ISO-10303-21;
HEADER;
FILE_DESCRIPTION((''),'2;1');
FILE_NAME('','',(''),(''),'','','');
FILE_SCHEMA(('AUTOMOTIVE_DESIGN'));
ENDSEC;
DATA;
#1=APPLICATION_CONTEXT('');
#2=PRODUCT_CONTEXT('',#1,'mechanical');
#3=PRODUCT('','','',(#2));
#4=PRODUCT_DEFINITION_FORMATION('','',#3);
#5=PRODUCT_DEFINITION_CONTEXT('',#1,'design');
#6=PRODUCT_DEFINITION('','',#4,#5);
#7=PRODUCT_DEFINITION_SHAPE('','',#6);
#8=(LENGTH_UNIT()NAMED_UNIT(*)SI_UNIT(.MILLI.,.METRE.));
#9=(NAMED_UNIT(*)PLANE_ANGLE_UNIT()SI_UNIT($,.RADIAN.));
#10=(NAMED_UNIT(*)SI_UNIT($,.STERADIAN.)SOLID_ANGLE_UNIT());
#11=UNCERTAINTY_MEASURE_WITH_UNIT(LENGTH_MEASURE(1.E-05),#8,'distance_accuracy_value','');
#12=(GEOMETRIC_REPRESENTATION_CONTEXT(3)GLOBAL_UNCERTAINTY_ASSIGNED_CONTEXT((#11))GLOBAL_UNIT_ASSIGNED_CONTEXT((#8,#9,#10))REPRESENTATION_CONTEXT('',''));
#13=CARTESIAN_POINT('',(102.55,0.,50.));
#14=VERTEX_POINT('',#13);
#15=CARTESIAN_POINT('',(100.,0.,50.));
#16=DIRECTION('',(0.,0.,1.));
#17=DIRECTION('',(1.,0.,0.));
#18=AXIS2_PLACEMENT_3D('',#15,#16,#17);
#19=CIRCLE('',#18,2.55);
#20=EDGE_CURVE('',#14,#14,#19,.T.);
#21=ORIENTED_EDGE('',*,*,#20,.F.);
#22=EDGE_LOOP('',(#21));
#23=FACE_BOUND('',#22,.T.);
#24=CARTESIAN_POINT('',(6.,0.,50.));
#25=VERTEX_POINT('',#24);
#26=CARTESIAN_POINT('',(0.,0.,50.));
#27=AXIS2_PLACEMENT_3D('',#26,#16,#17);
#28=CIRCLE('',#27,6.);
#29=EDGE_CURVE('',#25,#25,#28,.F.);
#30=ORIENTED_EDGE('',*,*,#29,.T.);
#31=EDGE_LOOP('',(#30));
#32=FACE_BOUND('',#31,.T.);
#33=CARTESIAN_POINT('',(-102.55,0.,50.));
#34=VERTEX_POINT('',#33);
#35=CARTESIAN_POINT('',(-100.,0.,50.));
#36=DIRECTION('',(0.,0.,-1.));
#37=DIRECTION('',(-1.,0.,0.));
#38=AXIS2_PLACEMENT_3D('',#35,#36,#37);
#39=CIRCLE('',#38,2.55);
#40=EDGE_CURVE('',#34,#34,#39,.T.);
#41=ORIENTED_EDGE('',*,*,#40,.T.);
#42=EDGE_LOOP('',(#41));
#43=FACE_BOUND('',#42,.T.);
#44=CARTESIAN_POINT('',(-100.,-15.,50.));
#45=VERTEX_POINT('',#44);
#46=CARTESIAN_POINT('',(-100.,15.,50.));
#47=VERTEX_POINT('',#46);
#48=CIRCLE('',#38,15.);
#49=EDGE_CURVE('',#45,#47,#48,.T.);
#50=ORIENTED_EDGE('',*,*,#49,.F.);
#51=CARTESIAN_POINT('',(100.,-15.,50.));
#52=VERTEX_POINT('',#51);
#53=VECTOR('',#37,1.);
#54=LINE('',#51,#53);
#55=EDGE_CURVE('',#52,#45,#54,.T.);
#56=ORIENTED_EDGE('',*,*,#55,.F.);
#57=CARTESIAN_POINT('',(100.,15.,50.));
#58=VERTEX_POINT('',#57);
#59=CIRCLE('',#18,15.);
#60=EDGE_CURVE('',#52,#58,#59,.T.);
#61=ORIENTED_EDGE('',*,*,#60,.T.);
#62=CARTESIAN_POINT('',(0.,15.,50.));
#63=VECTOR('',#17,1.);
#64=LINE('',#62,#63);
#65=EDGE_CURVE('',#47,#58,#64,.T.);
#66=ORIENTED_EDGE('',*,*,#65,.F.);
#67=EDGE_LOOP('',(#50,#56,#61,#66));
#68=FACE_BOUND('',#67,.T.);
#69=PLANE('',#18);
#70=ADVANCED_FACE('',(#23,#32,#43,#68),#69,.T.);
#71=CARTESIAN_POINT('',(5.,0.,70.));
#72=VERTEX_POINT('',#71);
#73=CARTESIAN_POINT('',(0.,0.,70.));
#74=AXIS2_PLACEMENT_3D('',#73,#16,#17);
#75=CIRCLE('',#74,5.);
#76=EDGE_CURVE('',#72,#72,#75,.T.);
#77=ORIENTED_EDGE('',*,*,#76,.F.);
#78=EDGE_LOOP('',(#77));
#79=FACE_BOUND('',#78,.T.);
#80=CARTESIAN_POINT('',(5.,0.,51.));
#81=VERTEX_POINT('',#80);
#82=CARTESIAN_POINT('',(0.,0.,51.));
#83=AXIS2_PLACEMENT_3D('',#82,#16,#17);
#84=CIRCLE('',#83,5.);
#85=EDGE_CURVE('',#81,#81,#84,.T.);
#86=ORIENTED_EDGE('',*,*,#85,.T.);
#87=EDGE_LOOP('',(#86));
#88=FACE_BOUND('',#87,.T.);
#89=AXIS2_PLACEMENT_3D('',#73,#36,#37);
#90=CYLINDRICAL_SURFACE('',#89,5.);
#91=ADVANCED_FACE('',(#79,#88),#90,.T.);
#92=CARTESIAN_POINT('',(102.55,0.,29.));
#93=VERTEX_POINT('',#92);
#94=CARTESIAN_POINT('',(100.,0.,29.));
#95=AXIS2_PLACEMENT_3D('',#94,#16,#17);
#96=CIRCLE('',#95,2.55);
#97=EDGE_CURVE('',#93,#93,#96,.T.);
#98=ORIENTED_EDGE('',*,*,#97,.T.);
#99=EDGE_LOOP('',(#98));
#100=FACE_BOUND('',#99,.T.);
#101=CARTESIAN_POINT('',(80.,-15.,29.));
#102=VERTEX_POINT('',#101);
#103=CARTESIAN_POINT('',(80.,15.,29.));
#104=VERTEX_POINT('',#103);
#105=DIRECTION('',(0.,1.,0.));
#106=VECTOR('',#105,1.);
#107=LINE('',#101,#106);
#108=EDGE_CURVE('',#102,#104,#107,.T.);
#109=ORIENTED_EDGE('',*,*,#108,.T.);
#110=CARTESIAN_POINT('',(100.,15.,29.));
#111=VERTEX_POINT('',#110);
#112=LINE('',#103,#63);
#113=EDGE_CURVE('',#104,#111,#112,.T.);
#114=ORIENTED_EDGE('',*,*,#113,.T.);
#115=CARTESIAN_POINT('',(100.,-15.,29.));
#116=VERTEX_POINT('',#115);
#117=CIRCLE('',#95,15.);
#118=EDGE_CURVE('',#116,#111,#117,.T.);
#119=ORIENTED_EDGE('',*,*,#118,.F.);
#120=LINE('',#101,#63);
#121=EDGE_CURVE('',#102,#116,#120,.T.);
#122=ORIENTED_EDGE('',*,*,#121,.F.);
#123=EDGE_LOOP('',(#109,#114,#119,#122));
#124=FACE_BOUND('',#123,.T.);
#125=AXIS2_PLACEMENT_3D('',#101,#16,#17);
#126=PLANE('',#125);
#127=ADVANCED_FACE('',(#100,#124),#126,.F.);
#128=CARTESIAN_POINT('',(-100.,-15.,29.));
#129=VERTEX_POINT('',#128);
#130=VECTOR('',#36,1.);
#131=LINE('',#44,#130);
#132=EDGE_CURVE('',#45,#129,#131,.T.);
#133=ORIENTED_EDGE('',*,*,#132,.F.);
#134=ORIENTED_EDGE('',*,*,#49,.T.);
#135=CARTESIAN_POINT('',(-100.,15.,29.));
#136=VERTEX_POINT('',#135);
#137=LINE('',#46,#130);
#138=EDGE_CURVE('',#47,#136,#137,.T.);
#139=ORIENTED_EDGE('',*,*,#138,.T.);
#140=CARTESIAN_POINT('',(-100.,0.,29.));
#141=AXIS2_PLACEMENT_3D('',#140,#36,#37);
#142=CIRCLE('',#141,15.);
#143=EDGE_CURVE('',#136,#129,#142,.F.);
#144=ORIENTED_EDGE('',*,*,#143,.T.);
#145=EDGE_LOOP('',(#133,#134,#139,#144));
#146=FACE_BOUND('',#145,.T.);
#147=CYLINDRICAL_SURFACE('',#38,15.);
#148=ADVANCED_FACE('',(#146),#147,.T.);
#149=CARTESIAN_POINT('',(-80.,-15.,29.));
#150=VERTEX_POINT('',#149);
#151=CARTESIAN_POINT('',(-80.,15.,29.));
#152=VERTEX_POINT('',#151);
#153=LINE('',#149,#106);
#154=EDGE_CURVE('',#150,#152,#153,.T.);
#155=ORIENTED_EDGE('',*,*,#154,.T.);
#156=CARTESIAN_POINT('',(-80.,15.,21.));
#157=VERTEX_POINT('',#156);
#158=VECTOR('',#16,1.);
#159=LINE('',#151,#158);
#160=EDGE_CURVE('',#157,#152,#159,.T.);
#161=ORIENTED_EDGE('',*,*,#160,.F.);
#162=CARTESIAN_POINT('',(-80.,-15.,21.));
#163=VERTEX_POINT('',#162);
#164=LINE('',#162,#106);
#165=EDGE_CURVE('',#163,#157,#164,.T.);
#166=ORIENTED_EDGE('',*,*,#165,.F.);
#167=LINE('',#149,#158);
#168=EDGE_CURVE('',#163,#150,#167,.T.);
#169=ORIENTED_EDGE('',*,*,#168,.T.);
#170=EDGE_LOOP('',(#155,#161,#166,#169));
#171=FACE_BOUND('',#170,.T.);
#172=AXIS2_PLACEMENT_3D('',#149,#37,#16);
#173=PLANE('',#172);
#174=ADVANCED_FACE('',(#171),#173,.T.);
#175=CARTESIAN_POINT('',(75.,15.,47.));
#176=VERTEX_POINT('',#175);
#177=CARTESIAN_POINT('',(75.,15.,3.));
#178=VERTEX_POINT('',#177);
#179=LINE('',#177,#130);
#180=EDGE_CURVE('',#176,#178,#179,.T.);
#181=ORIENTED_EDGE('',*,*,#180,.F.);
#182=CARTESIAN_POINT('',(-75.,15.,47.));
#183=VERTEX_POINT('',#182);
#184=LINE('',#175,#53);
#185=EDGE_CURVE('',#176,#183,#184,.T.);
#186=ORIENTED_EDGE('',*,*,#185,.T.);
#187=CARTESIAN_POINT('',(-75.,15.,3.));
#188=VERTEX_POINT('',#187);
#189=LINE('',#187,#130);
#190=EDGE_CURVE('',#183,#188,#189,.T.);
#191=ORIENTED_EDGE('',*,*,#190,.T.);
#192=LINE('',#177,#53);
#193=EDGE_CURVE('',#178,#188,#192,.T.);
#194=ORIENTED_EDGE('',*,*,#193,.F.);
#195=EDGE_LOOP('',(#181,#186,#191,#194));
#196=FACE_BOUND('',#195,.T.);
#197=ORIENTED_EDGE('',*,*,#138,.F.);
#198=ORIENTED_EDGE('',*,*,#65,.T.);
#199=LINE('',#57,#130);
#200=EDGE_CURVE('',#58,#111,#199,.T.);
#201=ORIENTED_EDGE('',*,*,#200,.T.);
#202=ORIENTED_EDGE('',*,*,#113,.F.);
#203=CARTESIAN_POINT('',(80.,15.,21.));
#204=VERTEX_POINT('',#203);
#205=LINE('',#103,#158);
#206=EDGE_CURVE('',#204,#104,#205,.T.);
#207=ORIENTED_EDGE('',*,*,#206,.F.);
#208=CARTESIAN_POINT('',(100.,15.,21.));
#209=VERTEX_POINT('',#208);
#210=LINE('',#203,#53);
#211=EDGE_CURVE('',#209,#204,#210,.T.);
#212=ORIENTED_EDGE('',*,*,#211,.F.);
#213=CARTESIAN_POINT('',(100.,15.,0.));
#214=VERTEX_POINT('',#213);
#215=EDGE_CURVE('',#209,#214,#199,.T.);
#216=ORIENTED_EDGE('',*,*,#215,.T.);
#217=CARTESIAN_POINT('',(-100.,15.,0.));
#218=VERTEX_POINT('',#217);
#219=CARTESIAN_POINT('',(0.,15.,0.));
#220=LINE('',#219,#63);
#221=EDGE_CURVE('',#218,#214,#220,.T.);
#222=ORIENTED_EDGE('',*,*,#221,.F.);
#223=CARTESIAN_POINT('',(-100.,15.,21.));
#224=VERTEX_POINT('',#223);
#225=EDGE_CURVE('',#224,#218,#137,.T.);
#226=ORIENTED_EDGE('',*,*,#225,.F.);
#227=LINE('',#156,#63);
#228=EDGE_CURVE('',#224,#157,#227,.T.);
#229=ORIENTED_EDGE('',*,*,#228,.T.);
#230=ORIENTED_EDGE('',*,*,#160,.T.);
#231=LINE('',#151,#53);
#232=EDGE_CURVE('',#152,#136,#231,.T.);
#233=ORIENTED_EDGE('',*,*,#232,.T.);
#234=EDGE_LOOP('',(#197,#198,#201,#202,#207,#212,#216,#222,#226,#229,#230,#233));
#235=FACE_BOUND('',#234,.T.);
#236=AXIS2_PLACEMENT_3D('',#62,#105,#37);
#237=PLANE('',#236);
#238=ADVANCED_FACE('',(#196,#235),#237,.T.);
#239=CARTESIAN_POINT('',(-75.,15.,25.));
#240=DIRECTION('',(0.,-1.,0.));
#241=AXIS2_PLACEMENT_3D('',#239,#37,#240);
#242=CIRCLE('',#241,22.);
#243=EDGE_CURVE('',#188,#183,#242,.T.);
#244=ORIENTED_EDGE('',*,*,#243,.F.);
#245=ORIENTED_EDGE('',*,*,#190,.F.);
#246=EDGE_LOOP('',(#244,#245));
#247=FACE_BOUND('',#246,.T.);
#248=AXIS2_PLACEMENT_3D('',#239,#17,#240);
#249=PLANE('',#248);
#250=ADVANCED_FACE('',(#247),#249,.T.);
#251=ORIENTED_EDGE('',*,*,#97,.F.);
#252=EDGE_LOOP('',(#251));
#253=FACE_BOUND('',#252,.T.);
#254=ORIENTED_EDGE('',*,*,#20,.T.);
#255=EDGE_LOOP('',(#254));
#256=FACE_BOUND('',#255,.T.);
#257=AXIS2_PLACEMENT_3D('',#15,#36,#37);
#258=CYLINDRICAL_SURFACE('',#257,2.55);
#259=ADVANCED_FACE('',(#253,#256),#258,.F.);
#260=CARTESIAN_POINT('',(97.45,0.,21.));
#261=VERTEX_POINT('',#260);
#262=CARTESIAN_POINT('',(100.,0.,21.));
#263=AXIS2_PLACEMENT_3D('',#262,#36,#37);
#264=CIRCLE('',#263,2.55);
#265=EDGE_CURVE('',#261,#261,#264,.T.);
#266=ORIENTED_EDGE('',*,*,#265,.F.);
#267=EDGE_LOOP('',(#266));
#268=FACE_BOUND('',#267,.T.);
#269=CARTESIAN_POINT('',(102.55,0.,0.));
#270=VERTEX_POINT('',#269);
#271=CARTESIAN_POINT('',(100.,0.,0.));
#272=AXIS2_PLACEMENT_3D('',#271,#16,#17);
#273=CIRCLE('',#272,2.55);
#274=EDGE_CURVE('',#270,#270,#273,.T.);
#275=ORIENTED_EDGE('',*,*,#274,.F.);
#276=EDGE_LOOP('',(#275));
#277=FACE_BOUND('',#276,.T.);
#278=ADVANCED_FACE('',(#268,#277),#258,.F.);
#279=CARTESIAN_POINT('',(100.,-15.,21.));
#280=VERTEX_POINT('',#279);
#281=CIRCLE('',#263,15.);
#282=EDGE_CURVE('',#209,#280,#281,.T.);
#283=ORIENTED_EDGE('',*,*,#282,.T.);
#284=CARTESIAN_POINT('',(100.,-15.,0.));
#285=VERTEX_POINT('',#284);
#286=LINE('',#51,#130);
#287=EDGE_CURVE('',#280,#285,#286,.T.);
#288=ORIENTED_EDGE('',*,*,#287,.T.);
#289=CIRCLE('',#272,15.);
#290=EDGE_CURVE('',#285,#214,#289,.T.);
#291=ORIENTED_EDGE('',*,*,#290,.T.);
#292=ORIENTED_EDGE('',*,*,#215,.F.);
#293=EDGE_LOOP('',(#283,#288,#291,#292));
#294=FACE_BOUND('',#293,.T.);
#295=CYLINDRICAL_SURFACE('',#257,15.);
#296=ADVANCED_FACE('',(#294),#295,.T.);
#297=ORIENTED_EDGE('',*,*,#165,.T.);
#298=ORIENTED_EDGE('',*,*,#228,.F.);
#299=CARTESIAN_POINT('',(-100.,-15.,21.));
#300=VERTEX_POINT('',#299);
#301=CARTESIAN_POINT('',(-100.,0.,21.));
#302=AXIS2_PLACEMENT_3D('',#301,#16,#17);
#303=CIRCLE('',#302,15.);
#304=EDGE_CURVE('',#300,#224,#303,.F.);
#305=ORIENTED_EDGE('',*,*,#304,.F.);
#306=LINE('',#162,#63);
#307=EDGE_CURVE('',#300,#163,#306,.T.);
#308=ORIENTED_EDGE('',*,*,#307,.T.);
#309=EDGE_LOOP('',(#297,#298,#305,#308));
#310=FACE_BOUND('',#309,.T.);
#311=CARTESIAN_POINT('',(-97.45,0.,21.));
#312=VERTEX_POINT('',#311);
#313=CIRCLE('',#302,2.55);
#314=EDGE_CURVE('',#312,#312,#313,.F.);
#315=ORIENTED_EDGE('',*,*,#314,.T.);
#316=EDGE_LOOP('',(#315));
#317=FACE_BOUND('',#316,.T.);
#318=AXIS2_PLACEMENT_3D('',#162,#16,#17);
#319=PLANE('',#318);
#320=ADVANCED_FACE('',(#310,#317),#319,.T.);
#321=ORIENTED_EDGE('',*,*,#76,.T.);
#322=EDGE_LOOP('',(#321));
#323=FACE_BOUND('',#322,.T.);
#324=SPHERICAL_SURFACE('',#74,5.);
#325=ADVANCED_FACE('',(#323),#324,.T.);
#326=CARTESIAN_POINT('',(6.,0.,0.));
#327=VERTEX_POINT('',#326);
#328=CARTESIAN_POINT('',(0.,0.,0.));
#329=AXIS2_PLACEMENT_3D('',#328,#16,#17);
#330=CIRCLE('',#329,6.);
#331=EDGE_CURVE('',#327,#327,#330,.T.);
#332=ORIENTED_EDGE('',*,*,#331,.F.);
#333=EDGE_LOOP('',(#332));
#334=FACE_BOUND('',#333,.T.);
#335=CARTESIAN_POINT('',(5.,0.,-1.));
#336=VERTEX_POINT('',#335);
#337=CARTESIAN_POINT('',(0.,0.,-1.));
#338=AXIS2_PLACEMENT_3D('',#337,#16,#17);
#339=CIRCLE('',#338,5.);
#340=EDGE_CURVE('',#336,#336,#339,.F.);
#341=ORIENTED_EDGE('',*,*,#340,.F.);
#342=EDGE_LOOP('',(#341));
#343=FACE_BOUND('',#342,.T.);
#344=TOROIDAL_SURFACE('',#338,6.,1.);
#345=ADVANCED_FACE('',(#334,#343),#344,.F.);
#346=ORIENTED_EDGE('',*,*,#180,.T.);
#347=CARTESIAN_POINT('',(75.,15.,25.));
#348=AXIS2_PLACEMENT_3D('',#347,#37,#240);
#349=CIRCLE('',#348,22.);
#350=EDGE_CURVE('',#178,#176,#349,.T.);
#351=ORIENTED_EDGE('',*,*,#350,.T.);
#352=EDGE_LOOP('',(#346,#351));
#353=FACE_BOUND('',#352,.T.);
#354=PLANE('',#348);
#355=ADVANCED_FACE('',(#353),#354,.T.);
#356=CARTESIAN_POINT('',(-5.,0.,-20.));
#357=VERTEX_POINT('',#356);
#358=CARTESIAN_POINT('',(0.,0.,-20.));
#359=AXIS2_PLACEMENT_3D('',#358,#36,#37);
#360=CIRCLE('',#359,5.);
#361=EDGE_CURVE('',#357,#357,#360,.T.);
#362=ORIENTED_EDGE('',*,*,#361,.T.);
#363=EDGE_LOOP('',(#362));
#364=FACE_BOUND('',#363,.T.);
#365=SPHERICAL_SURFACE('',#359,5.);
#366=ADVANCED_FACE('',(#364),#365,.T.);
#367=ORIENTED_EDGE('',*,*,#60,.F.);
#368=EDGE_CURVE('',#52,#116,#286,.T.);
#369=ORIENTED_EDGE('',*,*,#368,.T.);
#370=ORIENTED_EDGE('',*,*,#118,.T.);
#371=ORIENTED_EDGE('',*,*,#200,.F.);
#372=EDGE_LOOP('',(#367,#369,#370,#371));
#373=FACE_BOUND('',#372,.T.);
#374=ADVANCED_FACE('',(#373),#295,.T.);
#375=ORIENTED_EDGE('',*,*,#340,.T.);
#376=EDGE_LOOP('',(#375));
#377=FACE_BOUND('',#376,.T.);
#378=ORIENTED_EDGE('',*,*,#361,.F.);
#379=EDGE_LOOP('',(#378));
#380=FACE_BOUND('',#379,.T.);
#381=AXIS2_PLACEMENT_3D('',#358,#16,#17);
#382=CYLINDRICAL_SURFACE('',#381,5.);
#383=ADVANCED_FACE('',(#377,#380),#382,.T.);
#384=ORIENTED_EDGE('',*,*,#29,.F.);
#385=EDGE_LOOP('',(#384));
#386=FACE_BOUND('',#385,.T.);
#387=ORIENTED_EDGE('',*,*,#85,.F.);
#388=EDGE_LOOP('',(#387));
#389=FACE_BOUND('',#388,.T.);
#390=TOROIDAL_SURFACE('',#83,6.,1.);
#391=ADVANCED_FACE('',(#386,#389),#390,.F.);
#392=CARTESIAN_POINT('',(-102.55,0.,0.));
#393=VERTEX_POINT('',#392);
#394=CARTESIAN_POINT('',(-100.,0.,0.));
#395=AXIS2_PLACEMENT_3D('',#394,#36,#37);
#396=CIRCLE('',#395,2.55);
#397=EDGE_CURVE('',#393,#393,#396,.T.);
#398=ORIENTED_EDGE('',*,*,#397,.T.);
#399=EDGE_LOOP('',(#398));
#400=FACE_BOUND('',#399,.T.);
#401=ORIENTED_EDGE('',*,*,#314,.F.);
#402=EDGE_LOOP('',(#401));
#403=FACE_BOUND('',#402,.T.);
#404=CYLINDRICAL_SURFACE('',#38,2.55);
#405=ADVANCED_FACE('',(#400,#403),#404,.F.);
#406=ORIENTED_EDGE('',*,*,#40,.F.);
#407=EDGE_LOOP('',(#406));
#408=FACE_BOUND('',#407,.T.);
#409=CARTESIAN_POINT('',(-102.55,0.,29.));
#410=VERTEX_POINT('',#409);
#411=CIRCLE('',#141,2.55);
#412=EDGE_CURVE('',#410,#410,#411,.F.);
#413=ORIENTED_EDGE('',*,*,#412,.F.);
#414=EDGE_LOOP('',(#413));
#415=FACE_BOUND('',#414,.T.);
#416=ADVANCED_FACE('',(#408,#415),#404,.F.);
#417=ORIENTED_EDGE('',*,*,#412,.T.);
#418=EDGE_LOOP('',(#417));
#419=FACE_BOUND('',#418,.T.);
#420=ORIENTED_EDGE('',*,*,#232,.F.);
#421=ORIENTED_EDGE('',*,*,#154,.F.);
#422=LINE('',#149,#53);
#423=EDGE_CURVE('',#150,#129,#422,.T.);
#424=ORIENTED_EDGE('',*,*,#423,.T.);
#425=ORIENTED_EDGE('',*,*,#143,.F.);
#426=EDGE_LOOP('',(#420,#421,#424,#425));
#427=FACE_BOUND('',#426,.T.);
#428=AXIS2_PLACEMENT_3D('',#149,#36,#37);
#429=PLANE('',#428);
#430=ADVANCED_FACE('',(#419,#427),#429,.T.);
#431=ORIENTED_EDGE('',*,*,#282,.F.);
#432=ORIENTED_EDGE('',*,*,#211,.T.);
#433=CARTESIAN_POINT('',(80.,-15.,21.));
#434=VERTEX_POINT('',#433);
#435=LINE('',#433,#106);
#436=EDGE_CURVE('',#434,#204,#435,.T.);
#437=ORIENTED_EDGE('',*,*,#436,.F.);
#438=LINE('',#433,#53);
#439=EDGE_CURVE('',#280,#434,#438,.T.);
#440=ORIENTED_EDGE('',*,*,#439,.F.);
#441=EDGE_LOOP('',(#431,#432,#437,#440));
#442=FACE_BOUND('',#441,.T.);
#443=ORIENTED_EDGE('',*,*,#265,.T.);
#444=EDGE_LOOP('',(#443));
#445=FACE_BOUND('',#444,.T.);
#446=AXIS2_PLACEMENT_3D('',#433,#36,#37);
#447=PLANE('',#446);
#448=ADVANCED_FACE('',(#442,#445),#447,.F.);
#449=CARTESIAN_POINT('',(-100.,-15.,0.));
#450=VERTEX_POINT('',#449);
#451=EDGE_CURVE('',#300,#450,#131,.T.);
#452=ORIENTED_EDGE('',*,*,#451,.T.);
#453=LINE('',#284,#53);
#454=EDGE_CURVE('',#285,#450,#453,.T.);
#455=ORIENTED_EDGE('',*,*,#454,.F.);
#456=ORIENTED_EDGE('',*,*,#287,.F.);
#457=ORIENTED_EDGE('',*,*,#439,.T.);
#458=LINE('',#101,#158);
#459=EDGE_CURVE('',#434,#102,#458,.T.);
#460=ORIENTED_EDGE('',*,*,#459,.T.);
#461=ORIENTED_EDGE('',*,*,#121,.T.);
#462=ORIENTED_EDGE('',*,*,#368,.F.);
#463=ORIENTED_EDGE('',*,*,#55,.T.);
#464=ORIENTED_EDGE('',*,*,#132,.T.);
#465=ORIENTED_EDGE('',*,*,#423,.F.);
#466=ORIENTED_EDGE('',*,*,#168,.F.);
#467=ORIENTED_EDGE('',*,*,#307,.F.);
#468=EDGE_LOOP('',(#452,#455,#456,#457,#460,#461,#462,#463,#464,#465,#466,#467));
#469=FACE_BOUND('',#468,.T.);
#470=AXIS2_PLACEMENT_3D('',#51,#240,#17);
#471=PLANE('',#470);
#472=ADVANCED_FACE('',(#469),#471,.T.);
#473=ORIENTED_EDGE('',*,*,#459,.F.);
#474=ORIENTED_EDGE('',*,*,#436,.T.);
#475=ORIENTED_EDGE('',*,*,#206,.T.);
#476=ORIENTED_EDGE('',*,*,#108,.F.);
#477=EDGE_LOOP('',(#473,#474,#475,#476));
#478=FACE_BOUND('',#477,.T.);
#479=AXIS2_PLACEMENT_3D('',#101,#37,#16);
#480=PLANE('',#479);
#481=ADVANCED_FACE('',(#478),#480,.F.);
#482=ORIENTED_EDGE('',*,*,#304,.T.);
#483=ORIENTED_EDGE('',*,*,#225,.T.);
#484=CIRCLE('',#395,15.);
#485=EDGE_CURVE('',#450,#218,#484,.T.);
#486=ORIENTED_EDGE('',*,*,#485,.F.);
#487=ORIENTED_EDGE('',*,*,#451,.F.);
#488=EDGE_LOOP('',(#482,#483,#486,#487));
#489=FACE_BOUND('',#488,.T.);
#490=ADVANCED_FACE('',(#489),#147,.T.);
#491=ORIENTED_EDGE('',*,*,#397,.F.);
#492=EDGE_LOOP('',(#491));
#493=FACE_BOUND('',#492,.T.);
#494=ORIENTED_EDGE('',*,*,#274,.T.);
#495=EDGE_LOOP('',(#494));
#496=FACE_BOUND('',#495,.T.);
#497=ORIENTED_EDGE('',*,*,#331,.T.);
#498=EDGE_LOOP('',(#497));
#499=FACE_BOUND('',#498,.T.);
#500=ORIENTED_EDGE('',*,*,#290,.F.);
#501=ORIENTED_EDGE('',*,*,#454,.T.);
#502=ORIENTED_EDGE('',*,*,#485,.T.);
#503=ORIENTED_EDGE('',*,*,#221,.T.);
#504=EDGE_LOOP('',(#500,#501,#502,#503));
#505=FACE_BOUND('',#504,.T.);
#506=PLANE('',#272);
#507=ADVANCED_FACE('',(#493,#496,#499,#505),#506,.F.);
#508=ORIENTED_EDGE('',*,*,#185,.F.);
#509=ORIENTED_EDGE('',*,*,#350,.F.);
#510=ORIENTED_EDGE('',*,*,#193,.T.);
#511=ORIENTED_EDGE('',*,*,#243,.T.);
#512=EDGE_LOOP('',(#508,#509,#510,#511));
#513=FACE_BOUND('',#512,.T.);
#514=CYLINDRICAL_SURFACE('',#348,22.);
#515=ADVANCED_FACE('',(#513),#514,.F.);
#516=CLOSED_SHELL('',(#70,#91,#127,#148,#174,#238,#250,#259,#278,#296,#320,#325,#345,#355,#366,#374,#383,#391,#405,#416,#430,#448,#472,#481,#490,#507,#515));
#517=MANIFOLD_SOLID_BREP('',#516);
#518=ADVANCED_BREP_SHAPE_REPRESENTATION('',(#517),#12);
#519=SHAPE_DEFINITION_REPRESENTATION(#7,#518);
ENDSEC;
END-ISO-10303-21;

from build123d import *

# Parameters (mm, degrees)
SKETCH2_R           = 2.55
BOSS_EXTRUDE1_DEPTH = 50
SKETCH6_W           = 35
SKETCH6_H           = 8
CUT_EXTRUDE3_DEPTH  = 31
CUT_EXTRUDE6_DEPTH  = 75
SKETCH9_R           = 5
BOSS_EXTRUDE2_DEPTH = 20
REVOLVE1_ANGLE      = 180
FILLET2_R           = 1


with BuildPart() as part:
    # Sketch2 → Boss-Extrude1 (new body)
    with BuildSketch(Plane.XY):
        with BuildLine():
            Line((0, 15), (100, 15))
            ThreePointArc((100, 15), (115, 0), (100, -15))
            Line((100, -15), (0, -15))
            Line((0, -15), (0, 15))
        make_face()
        with Locations((100, 0)):
            Circle(SKETCH2_R, mode=Mode.SUBTRACT)
    boss_extrude1 = extrude(amount=BOSS_EXTRUDE1_DEPTH)

    # Sketch6 → Cut-Extrude3 (cut, through all)
    with BuildSketch(Plane(origin=(0, 15, 0), x_dir=(1, 0, 0), z_dir=(0, 1, 0))):
        with Locations((97.5, -25)):
            Rectangle(SKETCH6_W, SKETCH6_H)
    cut_extrude3 = extrude(amount=-CUT_EXTRUDE3_DEPTH, mode=Mode.SUBTRACT)

    # Sketch7 → Cut-Extrude6 (cut)
    with BuildSketch(Plane.ZY):
        with BuildLine():
            Line((3, 15), (47, 15))
            ThreePointArc((47, 15), (25, -7), (3, 15))
        make_face()
    cut_extrude6 = extrude(amount=-CUT_EXTRUDE6_DEPTH, mode=Mode.SUBTRACT)

    # Mirror3: Boss-Extrude1, Cut-Extrude3, Cut-Extrude6 across plane
    add(boss_extrude1.mirror(Plane(origin=(0, -15, 50), x_dir=(0, 0, 1), z_dir=(-1, 0, 0))))
    add(cut_extrude3.mirror(Plane(origin=(0, -15, 50), x_dir=(0, 0, 1), z_dir=(-1, 0, 0))), mode=Mode.SUBTRACT)
    add(cut_extrude6.mirror(Plane(origin=(0, -15, 50), x_dir=(0, 0, 1), z_dir=(-1, 0, 0))), mode=Mode.SUBTRACT)

    # Sketch9 → Boss-Extrude2 (add)
    with BuildSketch(Plane.XY.offset(50)):
        Circle(SKETCH9_R)
    boss_extrude2 = extrude(amount=BOSS_EXTRUDE2_DEPTH)

    # Sketch12 → Revolve1 (revolve)
    with BuildSketch(Plane.XY.offset(70)):
        with BuildLine():
            Line((0, -5), (0, 5))
            ThreePointArc((0, 5), (5, 0), (0, -5))
        make_face()
    revolve1 = revolve(axis=Axis((0, -5, 70), (0, -1, 0)), revolution_arc=REVOLVE1_ANGLE)

    # Mirror4: Boss-Extrude2, Revolve1 across plane
    add(boss_extrude2.mirror(Plane(origin=(75, -7, 25), x_dir=(1, 0, 0), z_dir=(0, 0, 1))))
    add(revolve1.mirror(Plane(origin=(75, -7, 25), x_dir=(1, 0, 0), z_dir=(0, 0, 1))))

    # Fillet2
    fillet2_edges = [part.edges().sort_by_distance(p)[0] for p in [
        (-5, 0, 50),
        (-5, 0, 0),
    ]]
    fillet(fillet2_edges, radius=FILLET2_R)


solid = part.part
